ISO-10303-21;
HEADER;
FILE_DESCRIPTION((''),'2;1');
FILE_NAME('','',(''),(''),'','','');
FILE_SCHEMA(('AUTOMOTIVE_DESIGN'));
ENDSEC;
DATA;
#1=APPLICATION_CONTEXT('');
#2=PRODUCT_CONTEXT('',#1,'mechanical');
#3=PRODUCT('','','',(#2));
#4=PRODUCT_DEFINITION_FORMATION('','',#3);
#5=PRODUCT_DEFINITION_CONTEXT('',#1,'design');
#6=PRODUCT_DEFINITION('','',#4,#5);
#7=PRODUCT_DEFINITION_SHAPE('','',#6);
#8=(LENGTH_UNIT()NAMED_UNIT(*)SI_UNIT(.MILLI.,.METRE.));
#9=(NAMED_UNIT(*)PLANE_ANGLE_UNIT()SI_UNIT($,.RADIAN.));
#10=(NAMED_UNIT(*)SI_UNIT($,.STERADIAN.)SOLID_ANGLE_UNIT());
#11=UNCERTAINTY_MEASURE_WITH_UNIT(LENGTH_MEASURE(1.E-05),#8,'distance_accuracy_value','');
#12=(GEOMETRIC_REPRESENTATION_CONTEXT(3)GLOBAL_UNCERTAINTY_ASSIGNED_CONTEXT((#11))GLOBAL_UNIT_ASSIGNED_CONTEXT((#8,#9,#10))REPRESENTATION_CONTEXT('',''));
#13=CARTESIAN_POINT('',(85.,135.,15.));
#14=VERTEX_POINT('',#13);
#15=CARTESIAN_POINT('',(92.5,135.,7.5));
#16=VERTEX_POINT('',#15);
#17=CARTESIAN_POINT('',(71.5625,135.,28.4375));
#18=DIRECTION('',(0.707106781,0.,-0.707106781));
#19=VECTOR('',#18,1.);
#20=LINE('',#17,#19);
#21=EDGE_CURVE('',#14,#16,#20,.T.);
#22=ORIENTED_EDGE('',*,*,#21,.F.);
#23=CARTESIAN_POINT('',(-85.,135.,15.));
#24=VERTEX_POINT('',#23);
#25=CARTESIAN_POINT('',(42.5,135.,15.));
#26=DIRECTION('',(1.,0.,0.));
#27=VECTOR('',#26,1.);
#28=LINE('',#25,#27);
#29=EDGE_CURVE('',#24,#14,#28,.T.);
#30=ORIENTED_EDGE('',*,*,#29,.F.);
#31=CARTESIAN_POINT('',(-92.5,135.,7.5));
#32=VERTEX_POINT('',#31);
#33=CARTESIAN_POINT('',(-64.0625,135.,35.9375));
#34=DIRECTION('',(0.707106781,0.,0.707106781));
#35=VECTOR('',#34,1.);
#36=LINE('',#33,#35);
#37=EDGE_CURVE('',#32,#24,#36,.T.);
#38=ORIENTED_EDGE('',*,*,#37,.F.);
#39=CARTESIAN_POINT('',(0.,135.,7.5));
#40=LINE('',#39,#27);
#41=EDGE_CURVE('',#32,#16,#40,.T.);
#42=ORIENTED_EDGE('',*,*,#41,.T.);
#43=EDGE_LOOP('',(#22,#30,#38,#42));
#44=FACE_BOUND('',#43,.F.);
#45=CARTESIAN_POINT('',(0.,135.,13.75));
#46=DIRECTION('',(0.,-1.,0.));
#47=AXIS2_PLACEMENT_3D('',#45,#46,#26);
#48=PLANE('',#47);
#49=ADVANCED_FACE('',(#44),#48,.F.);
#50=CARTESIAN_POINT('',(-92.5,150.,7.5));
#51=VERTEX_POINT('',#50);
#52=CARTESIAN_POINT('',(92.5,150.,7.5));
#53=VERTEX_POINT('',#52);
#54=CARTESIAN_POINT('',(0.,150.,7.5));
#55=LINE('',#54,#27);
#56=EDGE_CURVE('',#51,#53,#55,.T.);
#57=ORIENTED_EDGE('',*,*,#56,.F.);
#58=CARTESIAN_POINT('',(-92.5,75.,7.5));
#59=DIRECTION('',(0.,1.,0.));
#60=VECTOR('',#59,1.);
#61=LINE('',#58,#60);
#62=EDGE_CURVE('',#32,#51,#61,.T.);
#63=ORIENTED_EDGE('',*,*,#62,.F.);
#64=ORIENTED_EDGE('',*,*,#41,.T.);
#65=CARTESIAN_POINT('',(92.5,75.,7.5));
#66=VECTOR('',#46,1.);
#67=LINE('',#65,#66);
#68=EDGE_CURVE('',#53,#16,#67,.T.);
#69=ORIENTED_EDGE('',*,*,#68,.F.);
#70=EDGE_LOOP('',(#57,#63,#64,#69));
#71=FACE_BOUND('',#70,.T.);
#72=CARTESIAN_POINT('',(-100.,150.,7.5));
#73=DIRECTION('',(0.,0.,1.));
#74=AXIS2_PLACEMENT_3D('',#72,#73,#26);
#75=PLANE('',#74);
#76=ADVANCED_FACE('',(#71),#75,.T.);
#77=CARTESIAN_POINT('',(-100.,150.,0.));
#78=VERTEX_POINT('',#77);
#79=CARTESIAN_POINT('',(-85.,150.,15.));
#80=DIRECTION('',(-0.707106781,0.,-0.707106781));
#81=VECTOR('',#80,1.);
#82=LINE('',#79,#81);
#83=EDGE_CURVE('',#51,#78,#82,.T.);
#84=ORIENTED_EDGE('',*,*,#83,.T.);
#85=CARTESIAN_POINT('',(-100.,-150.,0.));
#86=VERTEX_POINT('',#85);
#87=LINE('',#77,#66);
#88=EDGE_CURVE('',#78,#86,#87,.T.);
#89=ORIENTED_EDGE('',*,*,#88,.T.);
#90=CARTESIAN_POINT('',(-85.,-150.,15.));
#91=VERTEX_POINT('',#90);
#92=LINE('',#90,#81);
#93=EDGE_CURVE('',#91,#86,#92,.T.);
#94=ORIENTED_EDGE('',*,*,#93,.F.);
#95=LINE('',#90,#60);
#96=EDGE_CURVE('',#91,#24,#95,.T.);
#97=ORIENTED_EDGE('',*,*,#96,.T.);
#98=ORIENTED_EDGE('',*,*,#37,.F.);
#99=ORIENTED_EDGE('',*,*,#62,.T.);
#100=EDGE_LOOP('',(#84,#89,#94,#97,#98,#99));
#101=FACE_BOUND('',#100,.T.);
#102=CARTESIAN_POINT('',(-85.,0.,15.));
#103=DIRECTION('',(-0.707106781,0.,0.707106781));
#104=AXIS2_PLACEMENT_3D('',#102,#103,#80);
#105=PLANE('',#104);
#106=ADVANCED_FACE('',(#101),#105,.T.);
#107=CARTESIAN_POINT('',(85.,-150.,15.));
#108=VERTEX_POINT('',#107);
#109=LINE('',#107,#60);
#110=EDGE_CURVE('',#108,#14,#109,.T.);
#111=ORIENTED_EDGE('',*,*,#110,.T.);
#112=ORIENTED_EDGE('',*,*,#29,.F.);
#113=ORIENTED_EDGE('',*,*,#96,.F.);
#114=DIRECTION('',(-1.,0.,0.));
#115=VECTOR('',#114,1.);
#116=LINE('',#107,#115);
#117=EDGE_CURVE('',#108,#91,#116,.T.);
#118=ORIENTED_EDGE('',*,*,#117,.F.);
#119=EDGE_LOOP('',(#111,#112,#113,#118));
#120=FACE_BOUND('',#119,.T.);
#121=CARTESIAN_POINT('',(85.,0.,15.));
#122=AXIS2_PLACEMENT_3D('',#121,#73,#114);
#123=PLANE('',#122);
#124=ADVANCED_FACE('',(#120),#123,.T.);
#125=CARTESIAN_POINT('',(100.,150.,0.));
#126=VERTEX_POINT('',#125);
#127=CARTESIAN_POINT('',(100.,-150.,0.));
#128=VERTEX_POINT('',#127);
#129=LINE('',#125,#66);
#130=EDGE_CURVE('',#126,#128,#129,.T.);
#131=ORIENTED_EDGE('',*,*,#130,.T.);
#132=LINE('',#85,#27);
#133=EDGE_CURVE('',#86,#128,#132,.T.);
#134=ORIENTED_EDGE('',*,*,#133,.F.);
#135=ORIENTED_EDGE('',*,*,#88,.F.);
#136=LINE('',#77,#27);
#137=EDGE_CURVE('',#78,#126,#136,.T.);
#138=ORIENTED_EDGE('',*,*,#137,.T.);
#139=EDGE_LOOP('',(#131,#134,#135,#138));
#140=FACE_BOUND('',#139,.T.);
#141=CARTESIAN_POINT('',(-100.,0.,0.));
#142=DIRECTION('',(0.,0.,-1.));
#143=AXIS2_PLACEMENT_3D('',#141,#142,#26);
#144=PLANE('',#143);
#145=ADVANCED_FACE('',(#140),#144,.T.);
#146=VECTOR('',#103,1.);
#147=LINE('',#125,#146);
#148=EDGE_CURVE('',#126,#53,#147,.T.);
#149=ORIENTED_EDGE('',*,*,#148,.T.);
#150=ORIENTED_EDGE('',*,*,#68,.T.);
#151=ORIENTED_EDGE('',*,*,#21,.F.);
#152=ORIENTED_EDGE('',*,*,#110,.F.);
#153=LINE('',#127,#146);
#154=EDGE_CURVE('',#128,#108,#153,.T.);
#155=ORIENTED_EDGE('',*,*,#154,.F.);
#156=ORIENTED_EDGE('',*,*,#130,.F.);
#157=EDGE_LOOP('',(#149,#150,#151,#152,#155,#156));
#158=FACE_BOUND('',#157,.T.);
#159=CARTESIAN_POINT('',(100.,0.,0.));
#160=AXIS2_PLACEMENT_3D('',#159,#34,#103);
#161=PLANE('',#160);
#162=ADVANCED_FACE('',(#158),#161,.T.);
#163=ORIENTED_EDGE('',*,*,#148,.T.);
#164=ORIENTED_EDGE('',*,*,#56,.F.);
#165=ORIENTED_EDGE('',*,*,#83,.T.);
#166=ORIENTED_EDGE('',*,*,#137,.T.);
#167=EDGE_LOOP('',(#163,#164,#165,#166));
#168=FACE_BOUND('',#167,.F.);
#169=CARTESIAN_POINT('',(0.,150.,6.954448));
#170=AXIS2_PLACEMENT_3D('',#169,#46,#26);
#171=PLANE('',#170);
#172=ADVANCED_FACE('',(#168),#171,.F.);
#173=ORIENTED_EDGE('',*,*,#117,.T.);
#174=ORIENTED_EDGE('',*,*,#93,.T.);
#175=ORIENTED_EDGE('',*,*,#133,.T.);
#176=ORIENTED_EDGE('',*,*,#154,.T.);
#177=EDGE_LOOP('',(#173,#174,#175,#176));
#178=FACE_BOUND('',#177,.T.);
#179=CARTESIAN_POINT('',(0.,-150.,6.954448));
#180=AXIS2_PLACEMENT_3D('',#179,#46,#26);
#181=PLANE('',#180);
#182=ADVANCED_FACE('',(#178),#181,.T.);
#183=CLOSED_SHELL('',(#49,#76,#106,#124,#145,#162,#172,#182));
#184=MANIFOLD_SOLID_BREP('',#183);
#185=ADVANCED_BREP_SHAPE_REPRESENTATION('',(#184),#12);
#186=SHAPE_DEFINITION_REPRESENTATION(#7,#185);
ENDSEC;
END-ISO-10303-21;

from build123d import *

# Parameters (mm, degrees)
F5_DEPTH      = 150
F5_DEPTH_BACK = 150
F6_W          = 200
F6_H          = 12.5
F7_DEPTH      = 15


with BuildPart() as f5:
    # F2 (on Front) → F5 (new body, two sides)
    with BuildSketch(Plane.XZ) as f5_sk:
        Polygon((-85, 15), (-100, 0), (100, 0), (85, 15), align=None)
    extrude(amount=F5_DEPTH)
    extrude(f5_sk.sketch, amount=-F5_DEPTH_BACK)

    # F6 (on offset) → F7 (cut)
    with BuildSketch(Plane.XZ.offset(-150)):
        with Locations((0, 13.75)):
            Rectangle(F6_W, F6_H)
    extrude(amount=F7_DEPTH, mode=Mode.SUBTRACT)


solid = f5.part
